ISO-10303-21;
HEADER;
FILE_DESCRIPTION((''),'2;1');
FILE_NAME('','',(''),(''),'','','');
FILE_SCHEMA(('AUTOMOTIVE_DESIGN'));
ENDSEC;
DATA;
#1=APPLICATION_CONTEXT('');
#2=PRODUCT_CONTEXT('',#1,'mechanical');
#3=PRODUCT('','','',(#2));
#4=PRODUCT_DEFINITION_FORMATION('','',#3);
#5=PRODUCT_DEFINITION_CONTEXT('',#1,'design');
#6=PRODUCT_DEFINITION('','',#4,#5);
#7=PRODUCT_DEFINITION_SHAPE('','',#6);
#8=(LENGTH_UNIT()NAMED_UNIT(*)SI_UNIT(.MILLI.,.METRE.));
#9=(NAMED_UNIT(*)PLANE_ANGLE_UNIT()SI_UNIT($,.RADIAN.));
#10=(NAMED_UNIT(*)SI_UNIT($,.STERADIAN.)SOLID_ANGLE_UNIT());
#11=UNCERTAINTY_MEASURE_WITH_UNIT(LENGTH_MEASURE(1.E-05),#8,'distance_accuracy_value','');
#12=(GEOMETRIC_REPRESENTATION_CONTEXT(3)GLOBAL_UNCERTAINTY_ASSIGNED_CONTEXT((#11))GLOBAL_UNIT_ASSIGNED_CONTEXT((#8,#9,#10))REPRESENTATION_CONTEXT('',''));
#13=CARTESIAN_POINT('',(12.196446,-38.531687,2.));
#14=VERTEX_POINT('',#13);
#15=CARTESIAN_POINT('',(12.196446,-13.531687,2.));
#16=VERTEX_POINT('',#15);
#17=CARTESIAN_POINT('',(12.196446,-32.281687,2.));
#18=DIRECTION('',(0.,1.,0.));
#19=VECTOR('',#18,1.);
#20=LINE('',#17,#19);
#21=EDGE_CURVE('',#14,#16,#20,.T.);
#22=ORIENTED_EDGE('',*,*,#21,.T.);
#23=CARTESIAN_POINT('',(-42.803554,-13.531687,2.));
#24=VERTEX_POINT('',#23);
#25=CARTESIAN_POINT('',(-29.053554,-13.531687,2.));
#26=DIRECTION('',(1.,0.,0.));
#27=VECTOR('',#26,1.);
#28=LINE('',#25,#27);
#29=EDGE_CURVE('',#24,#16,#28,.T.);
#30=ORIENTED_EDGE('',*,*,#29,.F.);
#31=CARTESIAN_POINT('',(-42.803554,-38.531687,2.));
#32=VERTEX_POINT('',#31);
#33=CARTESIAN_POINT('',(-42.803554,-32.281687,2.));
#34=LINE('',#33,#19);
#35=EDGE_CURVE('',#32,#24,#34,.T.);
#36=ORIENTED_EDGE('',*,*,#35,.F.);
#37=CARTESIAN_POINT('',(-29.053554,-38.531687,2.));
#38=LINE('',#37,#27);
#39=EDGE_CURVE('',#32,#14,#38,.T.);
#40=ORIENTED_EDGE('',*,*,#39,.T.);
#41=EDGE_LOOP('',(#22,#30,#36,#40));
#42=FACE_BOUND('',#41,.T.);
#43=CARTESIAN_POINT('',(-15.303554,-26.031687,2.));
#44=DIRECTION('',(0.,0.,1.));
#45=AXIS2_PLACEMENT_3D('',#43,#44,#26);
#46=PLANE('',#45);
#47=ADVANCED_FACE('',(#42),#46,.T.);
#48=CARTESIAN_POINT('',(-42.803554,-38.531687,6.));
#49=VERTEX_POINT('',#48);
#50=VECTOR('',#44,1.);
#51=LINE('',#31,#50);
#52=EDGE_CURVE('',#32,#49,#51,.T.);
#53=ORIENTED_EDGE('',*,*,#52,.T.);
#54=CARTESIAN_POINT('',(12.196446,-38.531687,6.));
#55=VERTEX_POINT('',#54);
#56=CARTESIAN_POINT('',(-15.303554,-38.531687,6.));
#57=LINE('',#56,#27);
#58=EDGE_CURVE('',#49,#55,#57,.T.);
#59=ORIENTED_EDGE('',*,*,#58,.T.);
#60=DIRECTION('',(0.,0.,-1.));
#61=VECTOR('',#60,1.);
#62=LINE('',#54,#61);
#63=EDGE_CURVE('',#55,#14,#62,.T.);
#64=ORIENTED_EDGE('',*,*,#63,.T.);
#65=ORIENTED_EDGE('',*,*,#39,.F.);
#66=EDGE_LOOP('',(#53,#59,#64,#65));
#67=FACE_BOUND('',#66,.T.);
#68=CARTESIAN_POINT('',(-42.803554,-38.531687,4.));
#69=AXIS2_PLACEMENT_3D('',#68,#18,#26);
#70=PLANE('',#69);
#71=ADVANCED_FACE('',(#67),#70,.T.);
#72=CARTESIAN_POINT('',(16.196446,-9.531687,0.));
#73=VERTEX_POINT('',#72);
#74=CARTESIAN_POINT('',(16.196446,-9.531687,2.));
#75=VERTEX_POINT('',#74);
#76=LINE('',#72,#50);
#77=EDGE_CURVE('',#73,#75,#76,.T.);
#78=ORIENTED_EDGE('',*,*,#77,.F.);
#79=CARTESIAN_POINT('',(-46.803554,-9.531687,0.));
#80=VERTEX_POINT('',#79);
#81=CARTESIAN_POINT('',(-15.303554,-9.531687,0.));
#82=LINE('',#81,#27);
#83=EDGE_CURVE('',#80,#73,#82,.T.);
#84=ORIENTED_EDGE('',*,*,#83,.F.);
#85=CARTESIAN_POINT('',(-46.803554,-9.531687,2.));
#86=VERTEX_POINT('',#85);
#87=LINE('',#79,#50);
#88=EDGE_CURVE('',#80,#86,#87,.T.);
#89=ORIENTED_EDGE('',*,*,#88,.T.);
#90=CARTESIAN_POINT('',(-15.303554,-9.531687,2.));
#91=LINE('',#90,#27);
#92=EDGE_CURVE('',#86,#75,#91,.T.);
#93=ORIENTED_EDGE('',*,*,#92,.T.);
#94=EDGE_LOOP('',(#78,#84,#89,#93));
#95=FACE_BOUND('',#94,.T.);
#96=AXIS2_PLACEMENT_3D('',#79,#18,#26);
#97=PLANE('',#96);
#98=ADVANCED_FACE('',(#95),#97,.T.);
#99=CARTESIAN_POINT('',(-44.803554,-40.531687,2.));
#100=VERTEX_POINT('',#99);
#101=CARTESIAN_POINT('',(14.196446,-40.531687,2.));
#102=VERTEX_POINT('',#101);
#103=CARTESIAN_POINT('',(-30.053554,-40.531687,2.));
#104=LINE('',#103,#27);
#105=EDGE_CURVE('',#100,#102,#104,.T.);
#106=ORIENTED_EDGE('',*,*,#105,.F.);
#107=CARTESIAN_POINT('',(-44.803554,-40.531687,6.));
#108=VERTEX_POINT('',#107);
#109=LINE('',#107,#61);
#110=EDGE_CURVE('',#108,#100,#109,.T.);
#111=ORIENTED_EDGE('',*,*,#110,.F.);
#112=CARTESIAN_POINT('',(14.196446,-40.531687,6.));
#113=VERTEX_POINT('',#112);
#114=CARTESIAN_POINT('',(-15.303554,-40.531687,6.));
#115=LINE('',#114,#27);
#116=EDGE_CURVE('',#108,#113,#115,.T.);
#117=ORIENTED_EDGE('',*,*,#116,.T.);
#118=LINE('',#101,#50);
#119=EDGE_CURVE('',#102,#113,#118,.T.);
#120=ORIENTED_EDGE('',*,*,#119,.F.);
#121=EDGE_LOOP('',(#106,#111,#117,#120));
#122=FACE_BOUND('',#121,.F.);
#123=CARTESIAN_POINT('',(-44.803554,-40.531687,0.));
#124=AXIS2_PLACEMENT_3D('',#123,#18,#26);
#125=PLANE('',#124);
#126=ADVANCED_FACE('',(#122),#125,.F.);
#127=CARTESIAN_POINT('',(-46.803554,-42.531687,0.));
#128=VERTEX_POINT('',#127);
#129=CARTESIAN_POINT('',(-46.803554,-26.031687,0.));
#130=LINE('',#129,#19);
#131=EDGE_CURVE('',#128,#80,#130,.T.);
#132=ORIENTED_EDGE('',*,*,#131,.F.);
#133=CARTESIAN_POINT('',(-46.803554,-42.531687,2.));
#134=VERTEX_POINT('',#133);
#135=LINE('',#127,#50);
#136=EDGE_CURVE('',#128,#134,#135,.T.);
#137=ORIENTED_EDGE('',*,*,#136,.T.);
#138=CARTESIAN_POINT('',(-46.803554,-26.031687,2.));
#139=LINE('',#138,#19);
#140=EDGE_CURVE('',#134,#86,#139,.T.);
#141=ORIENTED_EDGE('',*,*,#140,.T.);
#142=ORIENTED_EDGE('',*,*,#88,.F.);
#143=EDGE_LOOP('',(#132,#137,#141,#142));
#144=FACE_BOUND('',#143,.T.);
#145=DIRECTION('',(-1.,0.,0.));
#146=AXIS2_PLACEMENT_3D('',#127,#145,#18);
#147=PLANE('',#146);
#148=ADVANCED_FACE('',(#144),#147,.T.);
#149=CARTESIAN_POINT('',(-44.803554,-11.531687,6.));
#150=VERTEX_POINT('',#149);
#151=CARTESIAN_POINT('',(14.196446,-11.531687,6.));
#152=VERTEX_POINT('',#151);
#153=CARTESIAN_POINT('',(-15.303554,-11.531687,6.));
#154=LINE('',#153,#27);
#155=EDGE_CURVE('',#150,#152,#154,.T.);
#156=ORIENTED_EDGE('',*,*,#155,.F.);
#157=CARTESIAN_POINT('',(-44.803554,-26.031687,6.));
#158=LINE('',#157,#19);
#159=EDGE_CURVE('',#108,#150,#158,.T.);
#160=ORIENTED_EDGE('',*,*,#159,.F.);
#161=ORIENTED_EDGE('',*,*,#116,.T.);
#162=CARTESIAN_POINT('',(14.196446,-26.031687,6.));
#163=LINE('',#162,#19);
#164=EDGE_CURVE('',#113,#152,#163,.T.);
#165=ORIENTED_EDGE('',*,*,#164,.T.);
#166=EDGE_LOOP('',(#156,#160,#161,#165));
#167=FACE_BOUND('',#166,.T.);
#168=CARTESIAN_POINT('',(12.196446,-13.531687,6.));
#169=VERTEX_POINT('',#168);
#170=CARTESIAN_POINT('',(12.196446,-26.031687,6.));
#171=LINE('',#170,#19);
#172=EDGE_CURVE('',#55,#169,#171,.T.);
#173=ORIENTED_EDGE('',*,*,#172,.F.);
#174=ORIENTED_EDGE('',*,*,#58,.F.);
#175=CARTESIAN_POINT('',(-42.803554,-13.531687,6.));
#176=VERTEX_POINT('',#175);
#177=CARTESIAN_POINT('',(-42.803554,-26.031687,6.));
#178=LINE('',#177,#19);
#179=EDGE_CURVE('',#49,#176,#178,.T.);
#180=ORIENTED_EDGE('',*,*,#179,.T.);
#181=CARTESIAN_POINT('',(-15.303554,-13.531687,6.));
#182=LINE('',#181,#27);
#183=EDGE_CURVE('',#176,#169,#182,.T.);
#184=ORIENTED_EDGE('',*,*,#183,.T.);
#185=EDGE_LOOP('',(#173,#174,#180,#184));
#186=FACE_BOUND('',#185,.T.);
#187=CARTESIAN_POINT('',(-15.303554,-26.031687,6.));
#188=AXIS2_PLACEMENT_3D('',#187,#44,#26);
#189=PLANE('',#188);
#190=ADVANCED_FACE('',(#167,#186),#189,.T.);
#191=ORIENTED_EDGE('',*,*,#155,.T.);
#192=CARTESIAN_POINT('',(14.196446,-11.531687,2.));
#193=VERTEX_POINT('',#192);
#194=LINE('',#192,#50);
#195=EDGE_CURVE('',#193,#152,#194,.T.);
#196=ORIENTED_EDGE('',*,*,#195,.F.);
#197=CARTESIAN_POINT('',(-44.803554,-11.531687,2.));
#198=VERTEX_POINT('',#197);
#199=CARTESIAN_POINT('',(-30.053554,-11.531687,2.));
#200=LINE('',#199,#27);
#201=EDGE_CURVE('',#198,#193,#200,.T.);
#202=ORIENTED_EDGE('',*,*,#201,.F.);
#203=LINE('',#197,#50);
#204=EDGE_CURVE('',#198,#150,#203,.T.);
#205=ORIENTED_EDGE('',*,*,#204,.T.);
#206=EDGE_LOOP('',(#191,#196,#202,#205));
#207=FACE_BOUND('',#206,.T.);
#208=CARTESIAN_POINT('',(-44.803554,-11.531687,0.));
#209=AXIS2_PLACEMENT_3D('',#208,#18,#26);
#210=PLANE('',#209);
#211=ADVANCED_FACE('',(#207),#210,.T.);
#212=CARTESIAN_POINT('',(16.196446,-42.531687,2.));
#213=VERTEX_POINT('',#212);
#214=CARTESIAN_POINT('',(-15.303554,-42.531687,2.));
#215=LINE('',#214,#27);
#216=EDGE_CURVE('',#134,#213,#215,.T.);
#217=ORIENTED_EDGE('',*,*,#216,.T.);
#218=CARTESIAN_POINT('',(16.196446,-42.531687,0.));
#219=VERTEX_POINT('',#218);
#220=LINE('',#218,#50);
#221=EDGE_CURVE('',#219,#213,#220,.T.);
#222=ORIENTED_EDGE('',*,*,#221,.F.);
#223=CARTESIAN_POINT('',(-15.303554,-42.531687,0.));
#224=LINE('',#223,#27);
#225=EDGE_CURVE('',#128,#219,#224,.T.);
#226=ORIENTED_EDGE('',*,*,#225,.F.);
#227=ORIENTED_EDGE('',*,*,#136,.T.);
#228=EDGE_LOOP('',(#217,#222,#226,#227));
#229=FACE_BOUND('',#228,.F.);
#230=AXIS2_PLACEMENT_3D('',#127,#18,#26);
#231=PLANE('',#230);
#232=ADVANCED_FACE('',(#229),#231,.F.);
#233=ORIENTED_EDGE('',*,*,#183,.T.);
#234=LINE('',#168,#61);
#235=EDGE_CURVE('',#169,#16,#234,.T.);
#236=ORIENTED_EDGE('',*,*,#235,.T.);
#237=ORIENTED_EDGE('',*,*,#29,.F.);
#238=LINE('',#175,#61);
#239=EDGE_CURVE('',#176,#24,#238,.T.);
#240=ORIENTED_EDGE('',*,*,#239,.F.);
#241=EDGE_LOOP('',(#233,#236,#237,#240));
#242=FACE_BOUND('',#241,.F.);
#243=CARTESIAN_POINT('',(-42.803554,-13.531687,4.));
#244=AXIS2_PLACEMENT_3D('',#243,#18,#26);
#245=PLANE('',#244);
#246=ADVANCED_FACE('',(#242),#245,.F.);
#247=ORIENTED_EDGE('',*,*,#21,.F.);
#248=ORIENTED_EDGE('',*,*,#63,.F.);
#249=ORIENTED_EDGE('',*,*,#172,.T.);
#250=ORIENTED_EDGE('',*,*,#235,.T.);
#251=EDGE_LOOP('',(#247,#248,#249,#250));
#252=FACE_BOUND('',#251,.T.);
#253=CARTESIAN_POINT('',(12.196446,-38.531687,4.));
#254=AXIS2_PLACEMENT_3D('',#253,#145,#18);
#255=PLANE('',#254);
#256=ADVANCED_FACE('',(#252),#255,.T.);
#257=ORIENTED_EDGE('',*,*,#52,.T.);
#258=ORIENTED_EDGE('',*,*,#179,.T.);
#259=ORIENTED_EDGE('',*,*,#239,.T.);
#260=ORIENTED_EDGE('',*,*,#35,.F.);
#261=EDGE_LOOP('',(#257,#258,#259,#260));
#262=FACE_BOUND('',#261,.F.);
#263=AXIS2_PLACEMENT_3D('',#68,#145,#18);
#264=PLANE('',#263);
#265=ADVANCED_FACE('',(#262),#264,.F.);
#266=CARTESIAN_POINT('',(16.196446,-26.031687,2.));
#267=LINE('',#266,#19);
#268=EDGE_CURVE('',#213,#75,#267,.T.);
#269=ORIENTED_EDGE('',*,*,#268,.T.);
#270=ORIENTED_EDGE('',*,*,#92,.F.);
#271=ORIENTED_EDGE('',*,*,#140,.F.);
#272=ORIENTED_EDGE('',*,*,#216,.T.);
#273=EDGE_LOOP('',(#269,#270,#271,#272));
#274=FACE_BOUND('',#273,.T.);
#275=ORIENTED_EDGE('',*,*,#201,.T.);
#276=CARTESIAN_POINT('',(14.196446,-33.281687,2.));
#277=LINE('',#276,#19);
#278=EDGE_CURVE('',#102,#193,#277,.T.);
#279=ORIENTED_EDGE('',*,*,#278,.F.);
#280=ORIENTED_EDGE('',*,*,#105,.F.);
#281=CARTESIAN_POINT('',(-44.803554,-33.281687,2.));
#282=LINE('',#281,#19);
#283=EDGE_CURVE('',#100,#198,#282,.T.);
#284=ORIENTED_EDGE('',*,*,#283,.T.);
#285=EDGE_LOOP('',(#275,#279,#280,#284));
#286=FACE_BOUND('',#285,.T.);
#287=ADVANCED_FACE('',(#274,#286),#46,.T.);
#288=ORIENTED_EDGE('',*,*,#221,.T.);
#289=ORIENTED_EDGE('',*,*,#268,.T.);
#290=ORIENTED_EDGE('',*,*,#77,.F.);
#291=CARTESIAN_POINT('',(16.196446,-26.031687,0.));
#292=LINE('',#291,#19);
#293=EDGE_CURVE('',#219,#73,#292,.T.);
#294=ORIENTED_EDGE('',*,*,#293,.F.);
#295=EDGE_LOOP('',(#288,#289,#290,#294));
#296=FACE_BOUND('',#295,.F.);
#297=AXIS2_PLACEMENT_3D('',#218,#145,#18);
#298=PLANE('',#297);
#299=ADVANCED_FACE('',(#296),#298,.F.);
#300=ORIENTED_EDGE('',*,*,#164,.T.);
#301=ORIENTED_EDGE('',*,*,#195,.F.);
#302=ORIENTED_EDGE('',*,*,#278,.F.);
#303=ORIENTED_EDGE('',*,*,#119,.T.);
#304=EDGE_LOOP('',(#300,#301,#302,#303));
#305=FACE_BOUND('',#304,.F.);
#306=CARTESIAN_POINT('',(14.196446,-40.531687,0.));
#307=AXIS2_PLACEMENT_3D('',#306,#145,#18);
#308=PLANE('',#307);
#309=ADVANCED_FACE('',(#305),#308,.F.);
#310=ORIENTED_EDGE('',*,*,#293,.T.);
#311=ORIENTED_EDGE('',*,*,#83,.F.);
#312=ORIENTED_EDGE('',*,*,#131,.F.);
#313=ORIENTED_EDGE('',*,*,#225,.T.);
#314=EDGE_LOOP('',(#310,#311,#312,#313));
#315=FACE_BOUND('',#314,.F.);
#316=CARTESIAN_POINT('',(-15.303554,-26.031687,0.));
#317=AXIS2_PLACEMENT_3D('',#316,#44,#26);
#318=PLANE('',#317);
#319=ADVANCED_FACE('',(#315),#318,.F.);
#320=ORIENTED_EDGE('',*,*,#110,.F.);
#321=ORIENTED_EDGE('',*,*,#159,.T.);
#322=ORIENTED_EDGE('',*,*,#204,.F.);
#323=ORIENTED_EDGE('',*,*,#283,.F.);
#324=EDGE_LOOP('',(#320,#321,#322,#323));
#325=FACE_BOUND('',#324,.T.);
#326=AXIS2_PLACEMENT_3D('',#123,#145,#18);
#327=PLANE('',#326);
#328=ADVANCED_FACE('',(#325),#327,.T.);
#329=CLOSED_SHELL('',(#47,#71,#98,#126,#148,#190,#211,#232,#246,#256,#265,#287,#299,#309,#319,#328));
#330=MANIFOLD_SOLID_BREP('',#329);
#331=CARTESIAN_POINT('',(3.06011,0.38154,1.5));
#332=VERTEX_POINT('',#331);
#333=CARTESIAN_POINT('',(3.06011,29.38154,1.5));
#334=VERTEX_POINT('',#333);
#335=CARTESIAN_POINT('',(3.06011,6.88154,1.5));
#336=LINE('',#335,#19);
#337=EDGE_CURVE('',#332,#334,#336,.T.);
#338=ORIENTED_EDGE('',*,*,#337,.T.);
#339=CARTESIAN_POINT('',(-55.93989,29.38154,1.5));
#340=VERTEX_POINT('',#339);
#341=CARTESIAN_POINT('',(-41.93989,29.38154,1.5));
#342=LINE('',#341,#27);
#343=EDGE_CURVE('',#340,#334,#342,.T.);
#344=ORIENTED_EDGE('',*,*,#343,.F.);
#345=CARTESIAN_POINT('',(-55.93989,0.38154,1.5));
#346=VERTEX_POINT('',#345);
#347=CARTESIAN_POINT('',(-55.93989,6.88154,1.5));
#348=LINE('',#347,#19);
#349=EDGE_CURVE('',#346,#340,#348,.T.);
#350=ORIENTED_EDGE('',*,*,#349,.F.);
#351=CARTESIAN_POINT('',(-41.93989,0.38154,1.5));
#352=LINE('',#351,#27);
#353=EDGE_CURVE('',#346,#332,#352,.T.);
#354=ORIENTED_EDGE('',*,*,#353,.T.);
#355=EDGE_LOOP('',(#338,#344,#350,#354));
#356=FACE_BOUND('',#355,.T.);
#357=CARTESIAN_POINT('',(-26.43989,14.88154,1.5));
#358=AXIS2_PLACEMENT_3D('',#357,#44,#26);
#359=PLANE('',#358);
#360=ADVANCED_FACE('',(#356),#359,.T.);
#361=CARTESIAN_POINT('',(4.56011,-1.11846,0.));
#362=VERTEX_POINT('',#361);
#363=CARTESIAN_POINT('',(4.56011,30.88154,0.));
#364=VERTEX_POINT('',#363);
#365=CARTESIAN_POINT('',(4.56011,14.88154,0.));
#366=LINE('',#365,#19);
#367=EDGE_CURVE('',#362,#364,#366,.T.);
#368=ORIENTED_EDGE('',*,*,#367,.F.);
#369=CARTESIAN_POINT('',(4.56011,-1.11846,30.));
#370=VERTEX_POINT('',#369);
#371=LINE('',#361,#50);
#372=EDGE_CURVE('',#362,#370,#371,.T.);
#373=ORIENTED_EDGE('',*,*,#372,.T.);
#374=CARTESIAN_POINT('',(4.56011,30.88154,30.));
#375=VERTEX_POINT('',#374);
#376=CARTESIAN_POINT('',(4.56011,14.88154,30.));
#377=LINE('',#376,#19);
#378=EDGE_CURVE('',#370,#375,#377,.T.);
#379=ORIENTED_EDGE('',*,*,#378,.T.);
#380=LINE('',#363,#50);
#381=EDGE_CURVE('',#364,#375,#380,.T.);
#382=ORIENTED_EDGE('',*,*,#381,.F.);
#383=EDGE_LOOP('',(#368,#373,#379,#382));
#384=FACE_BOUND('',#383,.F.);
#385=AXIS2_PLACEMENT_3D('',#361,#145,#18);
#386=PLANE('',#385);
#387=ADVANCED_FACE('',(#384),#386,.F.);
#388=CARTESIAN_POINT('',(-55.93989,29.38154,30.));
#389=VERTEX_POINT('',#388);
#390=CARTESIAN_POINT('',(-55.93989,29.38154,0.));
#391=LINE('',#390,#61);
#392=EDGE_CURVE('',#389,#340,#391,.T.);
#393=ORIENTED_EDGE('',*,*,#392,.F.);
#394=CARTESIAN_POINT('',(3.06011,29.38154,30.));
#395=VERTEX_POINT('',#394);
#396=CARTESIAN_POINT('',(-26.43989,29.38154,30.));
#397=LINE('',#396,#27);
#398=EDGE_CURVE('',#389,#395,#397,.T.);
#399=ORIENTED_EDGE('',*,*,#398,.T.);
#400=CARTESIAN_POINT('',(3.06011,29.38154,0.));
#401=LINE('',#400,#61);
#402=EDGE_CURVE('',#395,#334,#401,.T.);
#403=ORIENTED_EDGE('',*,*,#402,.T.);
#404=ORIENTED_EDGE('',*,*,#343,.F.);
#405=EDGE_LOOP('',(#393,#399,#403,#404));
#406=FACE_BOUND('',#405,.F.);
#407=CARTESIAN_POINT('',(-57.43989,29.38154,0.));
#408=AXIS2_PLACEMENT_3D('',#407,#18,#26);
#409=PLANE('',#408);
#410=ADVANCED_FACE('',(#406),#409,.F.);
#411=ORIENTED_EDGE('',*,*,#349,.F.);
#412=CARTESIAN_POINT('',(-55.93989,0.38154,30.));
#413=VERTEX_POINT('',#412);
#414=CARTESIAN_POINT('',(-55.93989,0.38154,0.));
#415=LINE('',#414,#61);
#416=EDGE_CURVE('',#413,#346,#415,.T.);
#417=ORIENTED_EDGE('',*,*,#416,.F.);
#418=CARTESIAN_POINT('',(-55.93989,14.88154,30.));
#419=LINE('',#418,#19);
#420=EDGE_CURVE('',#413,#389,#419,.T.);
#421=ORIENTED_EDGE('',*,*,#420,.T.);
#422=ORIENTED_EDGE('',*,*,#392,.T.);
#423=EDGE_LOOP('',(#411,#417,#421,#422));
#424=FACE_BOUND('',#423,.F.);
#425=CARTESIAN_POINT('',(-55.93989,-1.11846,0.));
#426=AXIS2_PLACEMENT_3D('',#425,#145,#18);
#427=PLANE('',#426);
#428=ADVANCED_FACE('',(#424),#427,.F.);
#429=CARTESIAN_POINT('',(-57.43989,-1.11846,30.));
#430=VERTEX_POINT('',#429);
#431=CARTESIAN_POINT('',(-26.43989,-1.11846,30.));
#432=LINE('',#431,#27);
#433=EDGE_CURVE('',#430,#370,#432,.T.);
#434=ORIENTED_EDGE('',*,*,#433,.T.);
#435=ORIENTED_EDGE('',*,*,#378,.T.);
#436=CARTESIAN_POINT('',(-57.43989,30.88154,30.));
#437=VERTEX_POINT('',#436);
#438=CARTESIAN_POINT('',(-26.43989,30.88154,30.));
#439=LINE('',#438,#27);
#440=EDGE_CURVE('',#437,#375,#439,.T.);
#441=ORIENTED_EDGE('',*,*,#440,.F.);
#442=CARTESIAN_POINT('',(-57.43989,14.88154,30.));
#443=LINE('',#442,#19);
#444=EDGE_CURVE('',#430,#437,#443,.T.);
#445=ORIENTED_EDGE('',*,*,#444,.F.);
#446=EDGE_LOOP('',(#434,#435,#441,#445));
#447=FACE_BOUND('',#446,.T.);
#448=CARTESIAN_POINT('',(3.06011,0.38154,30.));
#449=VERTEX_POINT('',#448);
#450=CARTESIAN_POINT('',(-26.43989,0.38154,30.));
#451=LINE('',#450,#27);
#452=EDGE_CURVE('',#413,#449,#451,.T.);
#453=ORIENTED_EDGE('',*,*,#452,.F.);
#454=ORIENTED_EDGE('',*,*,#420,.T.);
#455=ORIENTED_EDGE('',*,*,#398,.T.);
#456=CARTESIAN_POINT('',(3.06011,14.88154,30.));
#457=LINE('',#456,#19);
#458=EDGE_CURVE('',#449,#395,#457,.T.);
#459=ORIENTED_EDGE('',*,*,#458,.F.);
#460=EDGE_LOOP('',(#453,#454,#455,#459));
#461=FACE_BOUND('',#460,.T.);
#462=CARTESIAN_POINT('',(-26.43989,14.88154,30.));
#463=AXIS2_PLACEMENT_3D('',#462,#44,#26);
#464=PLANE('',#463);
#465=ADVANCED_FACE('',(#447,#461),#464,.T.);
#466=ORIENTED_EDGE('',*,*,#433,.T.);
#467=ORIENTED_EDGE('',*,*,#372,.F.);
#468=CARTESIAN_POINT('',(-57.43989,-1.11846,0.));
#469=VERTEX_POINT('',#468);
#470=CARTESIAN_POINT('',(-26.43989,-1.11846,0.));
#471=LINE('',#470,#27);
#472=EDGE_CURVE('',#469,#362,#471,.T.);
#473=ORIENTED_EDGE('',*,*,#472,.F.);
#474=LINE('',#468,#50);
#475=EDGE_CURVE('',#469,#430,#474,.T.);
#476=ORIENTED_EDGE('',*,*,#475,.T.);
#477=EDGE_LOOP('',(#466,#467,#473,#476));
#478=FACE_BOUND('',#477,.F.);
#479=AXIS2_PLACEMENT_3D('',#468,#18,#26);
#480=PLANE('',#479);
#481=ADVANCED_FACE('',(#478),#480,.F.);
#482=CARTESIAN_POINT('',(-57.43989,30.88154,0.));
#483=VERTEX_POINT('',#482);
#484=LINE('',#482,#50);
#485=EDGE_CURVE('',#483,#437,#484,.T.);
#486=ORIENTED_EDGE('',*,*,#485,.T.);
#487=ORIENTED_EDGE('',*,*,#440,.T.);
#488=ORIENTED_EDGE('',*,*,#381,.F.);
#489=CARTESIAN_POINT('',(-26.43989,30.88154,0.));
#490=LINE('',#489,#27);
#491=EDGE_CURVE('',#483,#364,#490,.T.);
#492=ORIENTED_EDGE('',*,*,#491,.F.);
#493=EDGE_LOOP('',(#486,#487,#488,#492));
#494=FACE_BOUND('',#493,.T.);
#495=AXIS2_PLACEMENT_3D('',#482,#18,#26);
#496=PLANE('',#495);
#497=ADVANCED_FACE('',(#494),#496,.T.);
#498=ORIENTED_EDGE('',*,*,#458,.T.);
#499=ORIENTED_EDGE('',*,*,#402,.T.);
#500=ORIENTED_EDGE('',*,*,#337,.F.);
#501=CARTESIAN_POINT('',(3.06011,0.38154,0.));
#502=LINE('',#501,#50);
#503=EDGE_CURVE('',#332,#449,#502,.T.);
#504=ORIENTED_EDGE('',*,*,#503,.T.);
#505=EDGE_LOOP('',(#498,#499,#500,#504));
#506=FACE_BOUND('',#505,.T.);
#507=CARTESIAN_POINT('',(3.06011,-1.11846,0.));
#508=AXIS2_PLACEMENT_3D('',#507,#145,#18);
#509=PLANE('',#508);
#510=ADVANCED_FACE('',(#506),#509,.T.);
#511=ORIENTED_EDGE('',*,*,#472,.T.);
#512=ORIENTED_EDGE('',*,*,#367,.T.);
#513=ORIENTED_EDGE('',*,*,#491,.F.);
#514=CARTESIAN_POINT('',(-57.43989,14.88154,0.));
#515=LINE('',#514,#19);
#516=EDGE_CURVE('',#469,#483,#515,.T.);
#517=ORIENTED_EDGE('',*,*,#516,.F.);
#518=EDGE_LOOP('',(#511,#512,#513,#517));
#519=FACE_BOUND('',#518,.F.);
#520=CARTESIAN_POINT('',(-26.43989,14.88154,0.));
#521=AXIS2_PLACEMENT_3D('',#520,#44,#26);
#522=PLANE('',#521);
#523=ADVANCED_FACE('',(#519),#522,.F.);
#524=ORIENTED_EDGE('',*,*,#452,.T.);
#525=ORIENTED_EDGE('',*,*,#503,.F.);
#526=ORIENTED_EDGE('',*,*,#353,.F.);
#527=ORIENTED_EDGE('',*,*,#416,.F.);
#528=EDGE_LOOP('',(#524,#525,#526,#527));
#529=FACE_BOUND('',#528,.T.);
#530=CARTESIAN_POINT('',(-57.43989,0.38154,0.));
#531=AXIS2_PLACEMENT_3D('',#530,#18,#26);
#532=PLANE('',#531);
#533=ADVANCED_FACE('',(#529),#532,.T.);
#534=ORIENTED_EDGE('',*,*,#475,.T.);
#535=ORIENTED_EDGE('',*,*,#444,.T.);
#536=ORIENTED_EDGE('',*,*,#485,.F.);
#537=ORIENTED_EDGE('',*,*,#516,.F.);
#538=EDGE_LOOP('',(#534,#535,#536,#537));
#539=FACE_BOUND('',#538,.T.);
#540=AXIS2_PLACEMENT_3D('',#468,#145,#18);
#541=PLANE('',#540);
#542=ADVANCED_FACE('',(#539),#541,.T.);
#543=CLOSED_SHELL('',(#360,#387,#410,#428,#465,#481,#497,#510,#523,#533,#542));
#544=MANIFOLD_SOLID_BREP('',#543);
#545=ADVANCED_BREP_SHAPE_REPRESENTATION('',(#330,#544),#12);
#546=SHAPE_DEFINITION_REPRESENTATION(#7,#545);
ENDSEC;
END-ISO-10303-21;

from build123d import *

# Parameters (mm, degrees)
F0_W        = 62
F0_H        = 32
F1_DEPTH    = 30
F2_T        = -1.5
F3_W        = 59
F3_H        = 29
F3_W_2      = 55
F3_H_2      = 25
F4_DEPTH    = 4
F3_W_3      = 63
F3_H_3      = 33
F4_FACE_W   = 59
F4_FACE_H   = 29
F4_FACE_W_2 = 55
F4_FACE_H_2 = 25
F5_DEPTH    = 2


with BuildPart() as f1:
    # F0 (on Top) → F1 (new body)
    with BuildSketch(Plane.XY):
        with Locations((-26.43989, 14.88154)):
            Rectangle(F0_W, F0_H)
    extrude(amount=F1_DEPTH)

    # F2
    f2_openings = [f1.faces().sort_by_distance(p)[0] for p in [
        (-26.43989, 14.88154, 30),
    ]]
    offset(amount=F2_T, openings=f2_openings)


with BuildPart() as f4:
    # F3 (on Top) → F4 (new body)
    with BuildSketch(Plane.XY):
        with Locations((-15.303554, -26.031687)):
            Rectangle(F3_W, F3_H)
        with Locations((-15.303554, -26.031687)):
            Rectangle(F3_W_2, F3_H_2, mode=Mode.SUBTRACT)
    extrude(amount=F4_DEPTH)

    # F3 (on Top) + F4_face (on face) → F5 (join)
    with BuildSketch(Plane.XY):
        with Locations((-15.303554, -26.031687)):
            Rectangle(F3_W_3, F3_H_3)
        with Locations((-15.303554, -26.031687)):
            Rectangle(F3_W, F3_H, mode=Mode.SUBTRACT)
        with Locations((-15.303554, -26.031687)):
            Rectangle(F3_W, F3_H)
        with Locations((-15.303554, -26.031687)):
            Rectangle(F3_W_2, F3_H_2, mode=Mode.SUBTRACT)
        with Locations((-15.303554, -26.031687)):
            Rectangle(F3_W_2, F3_H_2)
    with BuildSketch(Plane(origin=(-15.303554, -26.031687, 4), x_dir=(1, 0, 0), z_dir=(0, 0, 1))):
        Rectangle(F4_FACE_W, F4_FACE_H)
        Rectangle(F4_FACE_W_2, F4_FACE_H_2, mode=Mode.SUBTRACT)
    extrude(amount=F5_DEPTH)


solid = Compound([f1.part, f4.part])
